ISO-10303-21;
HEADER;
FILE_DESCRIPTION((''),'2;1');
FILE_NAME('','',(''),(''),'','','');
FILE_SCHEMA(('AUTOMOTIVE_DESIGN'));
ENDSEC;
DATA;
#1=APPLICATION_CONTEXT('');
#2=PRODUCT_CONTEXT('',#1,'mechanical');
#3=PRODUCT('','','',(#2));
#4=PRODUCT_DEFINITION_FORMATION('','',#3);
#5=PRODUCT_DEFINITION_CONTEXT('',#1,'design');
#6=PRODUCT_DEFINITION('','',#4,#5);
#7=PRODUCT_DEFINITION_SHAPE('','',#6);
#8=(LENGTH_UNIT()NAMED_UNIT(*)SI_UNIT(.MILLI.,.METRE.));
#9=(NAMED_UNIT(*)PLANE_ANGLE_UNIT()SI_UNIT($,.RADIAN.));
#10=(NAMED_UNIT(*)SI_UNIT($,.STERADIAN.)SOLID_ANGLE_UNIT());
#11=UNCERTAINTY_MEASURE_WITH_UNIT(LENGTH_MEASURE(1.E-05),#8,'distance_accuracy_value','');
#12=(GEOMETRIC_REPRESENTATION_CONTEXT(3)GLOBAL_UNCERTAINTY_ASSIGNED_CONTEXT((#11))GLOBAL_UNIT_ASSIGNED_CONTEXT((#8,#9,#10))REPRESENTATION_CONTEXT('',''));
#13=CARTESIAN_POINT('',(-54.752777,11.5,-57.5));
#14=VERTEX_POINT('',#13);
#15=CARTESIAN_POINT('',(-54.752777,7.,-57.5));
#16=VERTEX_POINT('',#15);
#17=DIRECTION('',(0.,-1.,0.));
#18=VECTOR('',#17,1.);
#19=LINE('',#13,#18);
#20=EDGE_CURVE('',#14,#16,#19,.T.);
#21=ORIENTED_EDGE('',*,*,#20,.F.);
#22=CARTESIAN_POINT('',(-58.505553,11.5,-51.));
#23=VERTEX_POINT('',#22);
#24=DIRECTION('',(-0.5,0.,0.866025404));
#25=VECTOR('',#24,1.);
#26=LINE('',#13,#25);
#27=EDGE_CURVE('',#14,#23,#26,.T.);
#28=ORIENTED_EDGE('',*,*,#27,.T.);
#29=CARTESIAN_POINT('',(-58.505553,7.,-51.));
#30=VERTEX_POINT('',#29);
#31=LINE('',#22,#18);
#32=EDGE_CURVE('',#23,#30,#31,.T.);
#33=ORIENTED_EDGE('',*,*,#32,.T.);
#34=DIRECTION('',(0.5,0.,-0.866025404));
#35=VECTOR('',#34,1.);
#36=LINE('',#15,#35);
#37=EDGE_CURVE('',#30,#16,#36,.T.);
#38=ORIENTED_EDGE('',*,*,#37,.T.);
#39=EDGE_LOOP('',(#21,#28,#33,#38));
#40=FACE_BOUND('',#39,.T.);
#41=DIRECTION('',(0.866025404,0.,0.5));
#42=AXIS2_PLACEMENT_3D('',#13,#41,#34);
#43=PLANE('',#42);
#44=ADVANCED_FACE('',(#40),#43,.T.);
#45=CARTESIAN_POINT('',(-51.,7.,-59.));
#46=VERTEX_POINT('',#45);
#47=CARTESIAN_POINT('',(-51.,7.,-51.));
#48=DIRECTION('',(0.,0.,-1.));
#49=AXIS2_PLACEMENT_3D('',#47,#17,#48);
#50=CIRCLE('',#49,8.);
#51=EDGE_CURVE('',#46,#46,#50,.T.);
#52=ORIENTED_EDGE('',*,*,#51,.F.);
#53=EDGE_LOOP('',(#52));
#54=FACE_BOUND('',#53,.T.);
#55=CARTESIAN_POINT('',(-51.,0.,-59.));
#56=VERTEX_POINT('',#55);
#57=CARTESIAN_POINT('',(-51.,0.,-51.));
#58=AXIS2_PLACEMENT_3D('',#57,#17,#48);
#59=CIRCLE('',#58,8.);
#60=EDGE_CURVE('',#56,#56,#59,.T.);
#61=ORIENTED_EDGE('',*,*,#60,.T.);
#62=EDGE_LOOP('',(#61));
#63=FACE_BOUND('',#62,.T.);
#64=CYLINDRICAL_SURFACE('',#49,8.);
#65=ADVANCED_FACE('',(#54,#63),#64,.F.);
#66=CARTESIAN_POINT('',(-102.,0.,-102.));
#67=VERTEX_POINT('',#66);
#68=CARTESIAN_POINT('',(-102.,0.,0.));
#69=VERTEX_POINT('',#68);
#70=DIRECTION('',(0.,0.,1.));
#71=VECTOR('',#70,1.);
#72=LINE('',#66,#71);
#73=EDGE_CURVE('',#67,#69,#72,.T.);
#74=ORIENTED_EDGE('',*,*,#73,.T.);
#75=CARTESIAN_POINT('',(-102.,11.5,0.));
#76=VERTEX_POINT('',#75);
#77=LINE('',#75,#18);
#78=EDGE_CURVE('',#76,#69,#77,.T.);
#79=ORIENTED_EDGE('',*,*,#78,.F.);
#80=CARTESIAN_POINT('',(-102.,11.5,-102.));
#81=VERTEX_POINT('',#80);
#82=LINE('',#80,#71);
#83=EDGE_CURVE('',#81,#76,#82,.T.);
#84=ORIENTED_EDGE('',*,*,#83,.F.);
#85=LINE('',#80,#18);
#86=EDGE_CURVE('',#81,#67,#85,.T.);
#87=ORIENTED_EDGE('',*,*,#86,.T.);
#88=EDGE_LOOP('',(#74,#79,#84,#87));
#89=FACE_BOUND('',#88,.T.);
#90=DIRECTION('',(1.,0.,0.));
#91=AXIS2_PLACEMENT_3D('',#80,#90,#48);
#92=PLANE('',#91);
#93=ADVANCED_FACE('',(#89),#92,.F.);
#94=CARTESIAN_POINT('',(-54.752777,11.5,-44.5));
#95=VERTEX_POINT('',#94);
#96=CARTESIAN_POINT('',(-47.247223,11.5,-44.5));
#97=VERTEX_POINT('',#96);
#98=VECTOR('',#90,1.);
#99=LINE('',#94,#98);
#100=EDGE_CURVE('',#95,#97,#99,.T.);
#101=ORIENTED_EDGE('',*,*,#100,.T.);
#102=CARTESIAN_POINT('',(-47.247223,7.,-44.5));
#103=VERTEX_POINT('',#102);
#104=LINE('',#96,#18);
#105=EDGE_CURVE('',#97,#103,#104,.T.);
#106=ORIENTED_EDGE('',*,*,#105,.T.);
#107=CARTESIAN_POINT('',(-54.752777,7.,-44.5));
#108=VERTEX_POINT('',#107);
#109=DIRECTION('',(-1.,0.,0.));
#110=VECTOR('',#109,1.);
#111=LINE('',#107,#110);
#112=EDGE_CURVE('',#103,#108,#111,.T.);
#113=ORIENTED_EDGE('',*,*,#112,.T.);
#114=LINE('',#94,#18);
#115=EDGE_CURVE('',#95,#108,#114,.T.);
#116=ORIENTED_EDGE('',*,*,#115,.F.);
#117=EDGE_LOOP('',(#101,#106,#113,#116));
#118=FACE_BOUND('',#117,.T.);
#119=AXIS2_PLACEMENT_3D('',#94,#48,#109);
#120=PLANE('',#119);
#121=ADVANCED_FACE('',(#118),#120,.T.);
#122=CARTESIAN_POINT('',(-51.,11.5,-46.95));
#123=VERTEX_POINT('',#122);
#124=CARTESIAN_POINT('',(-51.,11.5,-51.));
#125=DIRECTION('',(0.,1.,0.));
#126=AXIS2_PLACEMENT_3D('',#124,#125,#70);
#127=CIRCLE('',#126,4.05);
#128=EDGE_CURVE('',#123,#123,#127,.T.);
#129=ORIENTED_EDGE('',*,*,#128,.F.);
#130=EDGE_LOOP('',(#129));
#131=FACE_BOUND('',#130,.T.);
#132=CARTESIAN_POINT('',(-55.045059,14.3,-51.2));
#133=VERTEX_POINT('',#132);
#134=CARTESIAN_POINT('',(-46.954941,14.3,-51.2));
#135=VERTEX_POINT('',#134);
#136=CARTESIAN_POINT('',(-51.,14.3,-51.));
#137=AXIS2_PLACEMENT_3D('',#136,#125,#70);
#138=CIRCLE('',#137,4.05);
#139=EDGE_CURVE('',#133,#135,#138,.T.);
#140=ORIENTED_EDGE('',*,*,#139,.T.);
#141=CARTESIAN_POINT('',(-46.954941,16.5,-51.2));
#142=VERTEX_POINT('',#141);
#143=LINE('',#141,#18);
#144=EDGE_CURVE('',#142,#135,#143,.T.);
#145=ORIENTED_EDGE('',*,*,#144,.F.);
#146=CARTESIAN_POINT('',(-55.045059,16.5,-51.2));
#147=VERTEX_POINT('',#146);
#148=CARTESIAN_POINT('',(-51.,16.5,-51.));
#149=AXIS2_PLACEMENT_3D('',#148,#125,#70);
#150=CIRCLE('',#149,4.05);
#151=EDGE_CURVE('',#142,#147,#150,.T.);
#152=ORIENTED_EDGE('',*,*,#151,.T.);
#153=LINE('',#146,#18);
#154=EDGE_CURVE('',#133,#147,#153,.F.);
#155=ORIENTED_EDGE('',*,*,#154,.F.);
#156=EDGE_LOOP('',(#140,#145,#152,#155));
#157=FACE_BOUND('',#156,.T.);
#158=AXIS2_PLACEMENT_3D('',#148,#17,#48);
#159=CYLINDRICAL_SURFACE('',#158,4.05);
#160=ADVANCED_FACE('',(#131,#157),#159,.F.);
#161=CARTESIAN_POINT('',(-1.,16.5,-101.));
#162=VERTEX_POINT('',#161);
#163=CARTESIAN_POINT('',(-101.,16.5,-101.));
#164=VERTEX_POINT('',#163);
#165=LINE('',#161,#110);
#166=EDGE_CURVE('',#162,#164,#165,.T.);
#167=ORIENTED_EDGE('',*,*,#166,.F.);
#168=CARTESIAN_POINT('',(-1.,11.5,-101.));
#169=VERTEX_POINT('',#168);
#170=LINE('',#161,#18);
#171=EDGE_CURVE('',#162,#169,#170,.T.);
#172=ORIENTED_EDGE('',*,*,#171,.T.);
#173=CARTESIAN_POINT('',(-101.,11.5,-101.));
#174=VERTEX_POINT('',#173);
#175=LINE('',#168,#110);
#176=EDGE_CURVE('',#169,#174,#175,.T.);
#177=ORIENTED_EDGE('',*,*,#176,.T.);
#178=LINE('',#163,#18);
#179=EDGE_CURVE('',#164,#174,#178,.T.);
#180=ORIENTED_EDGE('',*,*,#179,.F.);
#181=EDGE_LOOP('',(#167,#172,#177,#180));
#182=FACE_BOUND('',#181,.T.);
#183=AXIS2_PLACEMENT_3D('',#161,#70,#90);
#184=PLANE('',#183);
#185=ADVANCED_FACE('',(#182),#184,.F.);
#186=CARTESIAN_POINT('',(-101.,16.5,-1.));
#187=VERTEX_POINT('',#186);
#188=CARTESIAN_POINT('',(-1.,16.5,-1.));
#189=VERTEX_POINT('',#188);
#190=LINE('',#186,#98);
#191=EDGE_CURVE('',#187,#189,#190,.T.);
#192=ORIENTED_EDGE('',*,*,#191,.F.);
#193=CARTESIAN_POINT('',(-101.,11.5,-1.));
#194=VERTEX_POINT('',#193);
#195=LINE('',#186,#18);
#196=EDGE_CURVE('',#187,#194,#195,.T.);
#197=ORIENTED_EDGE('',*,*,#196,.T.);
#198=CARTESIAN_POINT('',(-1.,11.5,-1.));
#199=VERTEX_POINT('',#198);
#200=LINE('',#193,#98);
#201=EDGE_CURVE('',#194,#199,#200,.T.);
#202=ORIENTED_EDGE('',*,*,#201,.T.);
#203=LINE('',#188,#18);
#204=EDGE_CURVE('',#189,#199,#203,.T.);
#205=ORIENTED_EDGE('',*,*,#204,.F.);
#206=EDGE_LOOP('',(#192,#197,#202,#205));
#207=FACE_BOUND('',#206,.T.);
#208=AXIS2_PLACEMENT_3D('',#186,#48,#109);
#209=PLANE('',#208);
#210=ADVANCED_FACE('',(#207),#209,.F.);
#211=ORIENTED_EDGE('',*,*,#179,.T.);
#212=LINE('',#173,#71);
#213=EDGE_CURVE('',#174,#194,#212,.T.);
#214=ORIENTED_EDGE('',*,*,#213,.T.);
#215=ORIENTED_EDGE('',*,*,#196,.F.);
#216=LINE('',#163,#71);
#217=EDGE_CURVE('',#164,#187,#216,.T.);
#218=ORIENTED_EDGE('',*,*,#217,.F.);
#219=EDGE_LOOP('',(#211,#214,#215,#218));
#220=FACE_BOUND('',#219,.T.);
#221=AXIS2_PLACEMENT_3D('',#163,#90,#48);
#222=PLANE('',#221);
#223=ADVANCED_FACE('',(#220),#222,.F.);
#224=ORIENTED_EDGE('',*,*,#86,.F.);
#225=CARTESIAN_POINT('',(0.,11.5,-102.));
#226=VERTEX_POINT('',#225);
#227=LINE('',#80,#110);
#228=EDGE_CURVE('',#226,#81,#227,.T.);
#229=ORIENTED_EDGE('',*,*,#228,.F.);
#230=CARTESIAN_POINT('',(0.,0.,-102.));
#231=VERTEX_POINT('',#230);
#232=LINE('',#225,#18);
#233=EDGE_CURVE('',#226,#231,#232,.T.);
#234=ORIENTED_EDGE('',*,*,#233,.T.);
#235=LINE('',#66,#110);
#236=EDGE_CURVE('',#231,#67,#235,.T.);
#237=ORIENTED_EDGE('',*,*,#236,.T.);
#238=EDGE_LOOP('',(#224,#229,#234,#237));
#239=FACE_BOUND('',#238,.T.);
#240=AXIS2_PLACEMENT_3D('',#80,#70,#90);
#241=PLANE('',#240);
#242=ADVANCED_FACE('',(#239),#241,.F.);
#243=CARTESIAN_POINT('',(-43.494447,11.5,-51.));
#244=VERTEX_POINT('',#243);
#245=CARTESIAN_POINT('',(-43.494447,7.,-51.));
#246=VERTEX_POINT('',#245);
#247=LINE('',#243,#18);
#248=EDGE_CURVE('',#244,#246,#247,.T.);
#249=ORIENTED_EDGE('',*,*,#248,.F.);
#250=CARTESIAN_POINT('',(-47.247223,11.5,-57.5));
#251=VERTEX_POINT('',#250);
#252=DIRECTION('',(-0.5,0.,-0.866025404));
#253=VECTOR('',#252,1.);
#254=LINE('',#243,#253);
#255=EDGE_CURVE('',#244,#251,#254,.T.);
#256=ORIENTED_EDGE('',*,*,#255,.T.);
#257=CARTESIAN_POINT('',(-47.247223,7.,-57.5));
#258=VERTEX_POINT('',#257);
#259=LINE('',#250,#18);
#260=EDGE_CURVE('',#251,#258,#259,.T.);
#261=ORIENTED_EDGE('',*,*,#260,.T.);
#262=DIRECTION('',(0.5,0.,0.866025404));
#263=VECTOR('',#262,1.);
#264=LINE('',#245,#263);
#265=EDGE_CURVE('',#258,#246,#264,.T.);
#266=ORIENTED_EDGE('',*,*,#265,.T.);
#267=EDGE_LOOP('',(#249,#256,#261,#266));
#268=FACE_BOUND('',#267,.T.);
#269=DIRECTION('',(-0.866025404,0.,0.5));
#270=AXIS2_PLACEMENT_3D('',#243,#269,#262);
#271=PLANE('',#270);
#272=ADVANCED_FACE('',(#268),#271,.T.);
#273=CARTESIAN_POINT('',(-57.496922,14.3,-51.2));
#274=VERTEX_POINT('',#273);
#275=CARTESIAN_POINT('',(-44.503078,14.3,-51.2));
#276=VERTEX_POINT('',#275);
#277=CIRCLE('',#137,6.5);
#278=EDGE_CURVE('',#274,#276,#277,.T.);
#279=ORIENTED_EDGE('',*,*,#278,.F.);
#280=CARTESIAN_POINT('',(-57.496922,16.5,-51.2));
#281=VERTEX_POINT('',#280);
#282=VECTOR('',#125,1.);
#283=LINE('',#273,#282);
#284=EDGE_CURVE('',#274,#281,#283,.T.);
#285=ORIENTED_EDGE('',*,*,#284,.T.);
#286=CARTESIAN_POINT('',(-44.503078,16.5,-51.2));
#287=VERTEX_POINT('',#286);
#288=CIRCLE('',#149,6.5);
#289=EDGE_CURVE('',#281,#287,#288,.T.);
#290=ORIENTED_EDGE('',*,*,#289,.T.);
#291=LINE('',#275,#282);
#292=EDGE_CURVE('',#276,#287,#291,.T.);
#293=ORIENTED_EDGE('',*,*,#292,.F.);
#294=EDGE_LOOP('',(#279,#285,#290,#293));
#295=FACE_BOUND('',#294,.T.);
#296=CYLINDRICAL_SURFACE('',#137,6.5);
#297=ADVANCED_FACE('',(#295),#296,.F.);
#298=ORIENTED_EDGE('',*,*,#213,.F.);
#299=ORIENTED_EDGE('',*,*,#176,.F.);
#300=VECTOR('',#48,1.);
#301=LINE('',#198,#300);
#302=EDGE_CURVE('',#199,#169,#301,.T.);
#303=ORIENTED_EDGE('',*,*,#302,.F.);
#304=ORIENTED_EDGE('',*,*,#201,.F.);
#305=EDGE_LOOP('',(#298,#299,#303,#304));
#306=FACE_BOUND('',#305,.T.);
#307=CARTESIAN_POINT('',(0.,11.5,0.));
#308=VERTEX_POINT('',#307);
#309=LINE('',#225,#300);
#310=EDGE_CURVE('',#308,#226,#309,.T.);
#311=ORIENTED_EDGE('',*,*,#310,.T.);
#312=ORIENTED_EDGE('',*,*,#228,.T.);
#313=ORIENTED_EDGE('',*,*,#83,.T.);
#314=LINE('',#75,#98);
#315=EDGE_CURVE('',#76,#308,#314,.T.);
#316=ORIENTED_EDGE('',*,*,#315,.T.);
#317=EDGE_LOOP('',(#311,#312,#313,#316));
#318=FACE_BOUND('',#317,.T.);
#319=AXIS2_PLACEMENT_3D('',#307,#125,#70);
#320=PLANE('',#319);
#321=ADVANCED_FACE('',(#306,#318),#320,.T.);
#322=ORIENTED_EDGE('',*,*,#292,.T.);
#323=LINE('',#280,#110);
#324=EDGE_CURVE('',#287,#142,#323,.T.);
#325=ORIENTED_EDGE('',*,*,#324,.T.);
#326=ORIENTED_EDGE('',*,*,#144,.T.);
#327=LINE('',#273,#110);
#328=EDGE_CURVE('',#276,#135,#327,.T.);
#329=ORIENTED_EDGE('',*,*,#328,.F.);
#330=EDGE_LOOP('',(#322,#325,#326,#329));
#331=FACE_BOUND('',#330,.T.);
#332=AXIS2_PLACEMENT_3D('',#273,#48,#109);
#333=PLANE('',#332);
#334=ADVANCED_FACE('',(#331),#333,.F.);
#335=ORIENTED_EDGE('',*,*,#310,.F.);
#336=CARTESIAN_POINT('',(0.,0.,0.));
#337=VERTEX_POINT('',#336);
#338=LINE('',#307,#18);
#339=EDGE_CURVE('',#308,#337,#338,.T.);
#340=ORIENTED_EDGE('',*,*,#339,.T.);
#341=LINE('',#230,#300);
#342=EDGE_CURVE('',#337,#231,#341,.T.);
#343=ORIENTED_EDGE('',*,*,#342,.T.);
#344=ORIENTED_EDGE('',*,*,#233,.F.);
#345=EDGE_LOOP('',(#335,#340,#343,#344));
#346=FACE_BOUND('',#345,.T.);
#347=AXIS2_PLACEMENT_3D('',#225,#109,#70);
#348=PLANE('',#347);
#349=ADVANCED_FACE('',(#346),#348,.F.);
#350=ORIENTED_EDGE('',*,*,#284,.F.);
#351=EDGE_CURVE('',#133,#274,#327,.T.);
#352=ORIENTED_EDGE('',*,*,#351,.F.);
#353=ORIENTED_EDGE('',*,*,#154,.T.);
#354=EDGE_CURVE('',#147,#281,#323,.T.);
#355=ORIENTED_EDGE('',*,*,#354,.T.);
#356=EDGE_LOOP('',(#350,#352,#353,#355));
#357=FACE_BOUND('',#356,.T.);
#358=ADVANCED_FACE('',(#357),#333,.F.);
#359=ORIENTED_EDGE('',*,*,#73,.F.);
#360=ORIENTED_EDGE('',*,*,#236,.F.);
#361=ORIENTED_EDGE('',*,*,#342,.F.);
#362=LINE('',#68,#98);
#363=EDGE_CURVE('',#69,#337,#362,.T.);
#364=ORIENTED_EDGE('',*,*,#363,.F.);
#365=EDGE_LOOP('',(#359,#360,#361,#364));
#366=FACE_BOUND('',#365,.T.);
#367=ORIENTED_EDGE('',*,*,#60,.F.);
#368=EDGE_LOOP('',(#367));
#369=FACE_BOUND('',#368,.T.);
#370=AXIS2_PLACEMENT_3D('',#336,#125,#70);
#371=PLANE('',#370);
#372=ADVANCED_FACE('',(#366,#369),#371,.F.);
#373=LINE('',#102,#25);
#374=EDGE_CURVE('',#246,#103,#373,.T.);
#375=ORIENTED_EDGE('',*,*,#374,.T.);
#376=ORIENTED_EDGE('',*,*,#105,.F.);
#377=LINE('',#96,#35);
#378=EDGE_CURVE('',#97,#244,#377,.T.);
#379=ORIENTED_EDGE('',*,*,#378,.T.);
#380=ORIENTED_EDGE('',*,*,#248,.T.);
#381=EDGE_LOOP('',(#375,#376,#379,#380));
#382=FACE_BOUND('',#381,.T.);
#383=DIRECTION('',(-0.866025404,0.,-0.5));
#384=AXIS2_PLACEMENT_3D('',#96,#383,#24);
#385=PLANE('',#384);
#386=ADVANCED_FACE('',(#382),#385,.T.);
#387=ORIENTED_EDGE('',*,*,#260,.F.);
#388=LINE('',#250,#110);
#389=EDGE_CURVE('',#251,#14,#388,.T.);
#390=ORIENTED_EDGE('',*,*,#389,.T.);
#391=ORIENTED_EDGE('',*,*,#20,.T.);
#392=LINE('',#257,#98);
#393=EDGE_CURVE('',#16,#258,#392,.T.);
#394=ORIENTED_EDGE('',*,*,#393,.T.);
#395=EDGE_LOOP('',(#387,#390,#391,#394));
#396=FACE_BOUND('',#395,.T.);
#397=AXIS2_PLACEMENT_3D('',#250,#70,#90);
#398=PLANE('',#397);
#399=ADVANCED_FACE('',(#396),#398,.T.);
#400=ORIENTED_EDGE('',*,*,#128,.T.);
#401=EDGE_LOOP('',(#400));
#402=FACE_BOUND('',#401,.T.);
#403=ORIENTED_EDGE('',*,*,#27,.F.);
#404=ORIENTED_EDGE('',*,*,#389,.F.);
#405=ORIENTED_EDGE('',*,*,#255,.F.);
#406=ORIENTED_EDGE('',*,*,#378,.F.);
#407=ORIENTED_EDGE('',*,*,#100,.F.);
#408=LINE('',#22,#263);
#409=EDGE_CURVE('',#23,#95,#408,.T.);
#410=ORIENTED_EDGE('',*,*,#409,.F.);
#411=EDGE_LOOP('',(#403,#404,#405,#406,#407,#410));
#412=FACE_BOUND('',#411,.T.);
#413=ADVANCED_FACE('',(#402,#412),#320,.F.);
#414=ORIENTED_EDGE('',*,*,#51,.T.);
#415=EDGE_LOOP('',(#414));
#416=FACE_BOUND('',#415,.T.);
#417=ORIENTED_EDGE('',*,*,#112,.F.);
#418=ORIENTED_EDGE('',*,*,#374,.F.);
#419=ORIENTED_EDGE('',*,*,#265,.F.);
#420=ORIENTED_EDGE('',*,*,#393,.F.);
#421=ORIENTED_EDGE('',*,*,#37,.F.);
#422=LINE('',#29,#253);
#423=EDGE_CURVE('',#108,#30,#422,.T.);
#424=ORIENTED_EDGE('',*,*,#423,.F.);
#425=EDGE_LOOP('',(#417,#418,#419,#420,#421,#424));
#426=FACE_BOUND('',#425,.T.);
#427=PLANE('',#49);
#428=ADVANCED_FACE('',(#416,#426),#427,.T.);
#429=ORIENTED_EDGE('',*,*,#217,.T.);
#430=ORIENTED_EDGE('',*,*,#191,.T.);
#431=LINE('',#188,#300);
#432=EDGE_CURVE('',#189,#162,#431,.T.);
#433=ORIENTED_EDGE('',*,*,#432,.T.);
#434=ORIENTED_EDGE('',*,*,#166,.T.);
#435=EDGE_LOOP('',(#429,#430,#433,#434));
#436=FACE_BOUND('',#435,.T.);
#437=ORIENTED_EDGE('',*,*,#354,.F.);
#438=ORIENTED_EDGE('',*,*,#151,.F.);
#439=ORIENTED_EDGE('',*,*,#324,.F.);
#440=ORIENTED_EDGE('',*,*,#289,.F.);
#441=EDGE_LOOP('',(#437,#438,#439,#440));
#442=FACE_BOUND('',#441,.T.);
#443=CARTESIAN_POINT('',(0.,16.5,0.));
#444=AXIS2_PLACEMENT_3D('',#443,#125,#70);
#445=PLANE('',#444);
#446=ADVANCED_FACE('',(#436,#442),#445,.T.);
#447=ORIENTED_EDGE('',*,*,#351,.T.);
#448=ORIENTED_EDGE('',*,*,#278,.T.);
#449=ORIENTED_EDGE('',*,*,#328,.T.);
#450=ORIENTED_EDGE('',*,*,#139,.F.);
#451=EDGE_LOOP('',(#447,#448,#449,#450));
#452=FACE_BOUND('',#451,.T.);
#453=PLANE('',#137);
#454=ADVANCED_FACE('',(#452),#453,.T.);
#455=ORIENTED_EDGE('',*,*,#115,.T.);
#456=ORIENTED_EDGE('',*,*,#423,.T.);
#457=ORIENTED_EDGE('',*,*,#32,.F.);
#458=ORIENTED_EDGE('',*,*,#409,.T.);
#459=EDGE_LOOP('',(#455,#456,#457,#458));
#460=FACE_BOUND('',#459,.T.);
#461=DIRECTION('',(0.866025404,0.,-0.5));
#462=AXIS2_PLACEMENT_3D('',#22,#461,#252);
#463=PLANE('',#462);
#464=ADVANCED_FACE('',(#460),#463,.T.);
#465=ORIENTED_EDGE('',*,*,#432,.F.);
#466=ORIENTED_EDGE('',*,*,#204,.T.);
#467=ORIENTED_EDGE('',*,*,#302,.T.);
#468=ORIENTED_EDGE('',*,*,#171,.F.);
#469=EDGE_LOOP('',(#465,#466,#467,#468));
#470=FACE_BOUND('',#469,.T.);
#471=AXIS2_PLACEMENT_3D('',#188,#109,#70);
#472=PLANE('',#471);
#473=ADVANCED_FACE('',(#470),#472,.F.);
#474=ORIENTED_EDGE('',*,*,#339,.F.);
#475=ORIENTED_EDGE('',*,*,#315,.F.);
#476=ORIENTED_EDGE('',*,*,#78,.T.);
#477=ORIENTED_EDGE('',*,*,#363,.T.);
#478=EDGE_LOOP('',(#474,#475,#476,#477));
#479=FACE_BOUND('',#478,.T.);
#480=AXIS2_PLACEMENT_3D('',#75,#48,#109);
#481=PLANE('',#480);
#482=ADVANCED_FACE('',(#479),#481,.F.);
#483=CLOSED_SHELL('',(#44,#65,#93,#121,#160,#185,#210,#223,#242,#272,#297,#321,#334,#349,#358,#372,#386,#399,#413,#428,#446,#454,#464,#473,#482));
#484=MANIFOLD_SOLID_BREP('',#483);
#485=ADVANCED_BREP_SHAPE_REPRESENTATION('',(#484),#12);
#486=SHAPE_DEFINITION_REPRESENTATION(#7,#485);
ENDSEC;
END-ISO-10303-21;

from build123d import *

# Parameters (mm, degrees)
SKETCH1_W           = 102
SKETCH1_H           = 102
BOSS_EXTRUDE1_DEPTH = 11.5
SKETCH2_W           = 100
SKETCH2_H           = 100
SKETCH2_R           = 4.05
BOSS_EXTRUDE2_DEPTH = 5
SKETCH3_R           = 8
CUT_EXTRUDE1_DEPTH  = 7
CUT_EXTRUDE2_DEPTH  = 2.2


with BuildPart() as part:
    # Sketch1 → Boss-Extrude1 (new body)
    with BuildSketch(Plane(origin=(0, 0, 0), x_dir=(1, 0, 0), z_dir=(0, 1, 0))):
        with Locations((-51, 51)):
            Rectangle(SKETCH1_W, SKETCH1_H)
        Polygon((-43.494446501, 51), (-47.24722325, 57.5), (-54.75277675, 57.5), (-58.505553499, 51), (-54.75277675, 44.5), (-47.24722325, 44.5), align=None, mode=Mode.SUBTRACT)
    extrude(amount=BOSS_EXTRUDE1_DEPTH)

    # Sketch2 → Boss-Extrude2 (add)
    with BuildSketch(Plane(origin=(0, 11.5, 0), x_dir=(1, 0, 0), z_dir=(0, 1, 0))):
        with Locations((-51, 51)):
            Rectangle(SKETCH2_W, SKETCH2_H)
        with Locations(Location((-51, 51, 0), (0, 0, 270))):
            Circle(SKETCH2_R, mode=Mode.SUBTRACT)
    extrude(amount=BOSS_EXTRUDE2_DEPTH)

    # Sketch3 → Cut-Extrude1 (cut)
    with BuildSketch(Plane.XZ):
        with Locations(Location((-51, -51, 0), (0, 0, 270))):
            Circle(SKETCH3_R)
    extrude(amount=-CUT_EXTRUDE1_DEPTH, mode=Mode.SUBTRACT)

    # Sketch4 → Cut-Extrude2 (cut)
    with BuildSketch(Plane(origin=(0, 16.5, 0), x_dir=(1, 0, 0), z_dir=(0, 1, 0))):
        with BuildLine():
            Line((-57.496922348, 51.2), (-44.503077652, 51.2))
            ThreePointArc((-44.503077652, 51.2), (-51, 44.5), (-57.496922348, 51.2))
        make_face()
    extrude(amount=-CUT_EXTRUDE2_DEPTH, mode=Mode.SUBTRACT)


solid = part.part
